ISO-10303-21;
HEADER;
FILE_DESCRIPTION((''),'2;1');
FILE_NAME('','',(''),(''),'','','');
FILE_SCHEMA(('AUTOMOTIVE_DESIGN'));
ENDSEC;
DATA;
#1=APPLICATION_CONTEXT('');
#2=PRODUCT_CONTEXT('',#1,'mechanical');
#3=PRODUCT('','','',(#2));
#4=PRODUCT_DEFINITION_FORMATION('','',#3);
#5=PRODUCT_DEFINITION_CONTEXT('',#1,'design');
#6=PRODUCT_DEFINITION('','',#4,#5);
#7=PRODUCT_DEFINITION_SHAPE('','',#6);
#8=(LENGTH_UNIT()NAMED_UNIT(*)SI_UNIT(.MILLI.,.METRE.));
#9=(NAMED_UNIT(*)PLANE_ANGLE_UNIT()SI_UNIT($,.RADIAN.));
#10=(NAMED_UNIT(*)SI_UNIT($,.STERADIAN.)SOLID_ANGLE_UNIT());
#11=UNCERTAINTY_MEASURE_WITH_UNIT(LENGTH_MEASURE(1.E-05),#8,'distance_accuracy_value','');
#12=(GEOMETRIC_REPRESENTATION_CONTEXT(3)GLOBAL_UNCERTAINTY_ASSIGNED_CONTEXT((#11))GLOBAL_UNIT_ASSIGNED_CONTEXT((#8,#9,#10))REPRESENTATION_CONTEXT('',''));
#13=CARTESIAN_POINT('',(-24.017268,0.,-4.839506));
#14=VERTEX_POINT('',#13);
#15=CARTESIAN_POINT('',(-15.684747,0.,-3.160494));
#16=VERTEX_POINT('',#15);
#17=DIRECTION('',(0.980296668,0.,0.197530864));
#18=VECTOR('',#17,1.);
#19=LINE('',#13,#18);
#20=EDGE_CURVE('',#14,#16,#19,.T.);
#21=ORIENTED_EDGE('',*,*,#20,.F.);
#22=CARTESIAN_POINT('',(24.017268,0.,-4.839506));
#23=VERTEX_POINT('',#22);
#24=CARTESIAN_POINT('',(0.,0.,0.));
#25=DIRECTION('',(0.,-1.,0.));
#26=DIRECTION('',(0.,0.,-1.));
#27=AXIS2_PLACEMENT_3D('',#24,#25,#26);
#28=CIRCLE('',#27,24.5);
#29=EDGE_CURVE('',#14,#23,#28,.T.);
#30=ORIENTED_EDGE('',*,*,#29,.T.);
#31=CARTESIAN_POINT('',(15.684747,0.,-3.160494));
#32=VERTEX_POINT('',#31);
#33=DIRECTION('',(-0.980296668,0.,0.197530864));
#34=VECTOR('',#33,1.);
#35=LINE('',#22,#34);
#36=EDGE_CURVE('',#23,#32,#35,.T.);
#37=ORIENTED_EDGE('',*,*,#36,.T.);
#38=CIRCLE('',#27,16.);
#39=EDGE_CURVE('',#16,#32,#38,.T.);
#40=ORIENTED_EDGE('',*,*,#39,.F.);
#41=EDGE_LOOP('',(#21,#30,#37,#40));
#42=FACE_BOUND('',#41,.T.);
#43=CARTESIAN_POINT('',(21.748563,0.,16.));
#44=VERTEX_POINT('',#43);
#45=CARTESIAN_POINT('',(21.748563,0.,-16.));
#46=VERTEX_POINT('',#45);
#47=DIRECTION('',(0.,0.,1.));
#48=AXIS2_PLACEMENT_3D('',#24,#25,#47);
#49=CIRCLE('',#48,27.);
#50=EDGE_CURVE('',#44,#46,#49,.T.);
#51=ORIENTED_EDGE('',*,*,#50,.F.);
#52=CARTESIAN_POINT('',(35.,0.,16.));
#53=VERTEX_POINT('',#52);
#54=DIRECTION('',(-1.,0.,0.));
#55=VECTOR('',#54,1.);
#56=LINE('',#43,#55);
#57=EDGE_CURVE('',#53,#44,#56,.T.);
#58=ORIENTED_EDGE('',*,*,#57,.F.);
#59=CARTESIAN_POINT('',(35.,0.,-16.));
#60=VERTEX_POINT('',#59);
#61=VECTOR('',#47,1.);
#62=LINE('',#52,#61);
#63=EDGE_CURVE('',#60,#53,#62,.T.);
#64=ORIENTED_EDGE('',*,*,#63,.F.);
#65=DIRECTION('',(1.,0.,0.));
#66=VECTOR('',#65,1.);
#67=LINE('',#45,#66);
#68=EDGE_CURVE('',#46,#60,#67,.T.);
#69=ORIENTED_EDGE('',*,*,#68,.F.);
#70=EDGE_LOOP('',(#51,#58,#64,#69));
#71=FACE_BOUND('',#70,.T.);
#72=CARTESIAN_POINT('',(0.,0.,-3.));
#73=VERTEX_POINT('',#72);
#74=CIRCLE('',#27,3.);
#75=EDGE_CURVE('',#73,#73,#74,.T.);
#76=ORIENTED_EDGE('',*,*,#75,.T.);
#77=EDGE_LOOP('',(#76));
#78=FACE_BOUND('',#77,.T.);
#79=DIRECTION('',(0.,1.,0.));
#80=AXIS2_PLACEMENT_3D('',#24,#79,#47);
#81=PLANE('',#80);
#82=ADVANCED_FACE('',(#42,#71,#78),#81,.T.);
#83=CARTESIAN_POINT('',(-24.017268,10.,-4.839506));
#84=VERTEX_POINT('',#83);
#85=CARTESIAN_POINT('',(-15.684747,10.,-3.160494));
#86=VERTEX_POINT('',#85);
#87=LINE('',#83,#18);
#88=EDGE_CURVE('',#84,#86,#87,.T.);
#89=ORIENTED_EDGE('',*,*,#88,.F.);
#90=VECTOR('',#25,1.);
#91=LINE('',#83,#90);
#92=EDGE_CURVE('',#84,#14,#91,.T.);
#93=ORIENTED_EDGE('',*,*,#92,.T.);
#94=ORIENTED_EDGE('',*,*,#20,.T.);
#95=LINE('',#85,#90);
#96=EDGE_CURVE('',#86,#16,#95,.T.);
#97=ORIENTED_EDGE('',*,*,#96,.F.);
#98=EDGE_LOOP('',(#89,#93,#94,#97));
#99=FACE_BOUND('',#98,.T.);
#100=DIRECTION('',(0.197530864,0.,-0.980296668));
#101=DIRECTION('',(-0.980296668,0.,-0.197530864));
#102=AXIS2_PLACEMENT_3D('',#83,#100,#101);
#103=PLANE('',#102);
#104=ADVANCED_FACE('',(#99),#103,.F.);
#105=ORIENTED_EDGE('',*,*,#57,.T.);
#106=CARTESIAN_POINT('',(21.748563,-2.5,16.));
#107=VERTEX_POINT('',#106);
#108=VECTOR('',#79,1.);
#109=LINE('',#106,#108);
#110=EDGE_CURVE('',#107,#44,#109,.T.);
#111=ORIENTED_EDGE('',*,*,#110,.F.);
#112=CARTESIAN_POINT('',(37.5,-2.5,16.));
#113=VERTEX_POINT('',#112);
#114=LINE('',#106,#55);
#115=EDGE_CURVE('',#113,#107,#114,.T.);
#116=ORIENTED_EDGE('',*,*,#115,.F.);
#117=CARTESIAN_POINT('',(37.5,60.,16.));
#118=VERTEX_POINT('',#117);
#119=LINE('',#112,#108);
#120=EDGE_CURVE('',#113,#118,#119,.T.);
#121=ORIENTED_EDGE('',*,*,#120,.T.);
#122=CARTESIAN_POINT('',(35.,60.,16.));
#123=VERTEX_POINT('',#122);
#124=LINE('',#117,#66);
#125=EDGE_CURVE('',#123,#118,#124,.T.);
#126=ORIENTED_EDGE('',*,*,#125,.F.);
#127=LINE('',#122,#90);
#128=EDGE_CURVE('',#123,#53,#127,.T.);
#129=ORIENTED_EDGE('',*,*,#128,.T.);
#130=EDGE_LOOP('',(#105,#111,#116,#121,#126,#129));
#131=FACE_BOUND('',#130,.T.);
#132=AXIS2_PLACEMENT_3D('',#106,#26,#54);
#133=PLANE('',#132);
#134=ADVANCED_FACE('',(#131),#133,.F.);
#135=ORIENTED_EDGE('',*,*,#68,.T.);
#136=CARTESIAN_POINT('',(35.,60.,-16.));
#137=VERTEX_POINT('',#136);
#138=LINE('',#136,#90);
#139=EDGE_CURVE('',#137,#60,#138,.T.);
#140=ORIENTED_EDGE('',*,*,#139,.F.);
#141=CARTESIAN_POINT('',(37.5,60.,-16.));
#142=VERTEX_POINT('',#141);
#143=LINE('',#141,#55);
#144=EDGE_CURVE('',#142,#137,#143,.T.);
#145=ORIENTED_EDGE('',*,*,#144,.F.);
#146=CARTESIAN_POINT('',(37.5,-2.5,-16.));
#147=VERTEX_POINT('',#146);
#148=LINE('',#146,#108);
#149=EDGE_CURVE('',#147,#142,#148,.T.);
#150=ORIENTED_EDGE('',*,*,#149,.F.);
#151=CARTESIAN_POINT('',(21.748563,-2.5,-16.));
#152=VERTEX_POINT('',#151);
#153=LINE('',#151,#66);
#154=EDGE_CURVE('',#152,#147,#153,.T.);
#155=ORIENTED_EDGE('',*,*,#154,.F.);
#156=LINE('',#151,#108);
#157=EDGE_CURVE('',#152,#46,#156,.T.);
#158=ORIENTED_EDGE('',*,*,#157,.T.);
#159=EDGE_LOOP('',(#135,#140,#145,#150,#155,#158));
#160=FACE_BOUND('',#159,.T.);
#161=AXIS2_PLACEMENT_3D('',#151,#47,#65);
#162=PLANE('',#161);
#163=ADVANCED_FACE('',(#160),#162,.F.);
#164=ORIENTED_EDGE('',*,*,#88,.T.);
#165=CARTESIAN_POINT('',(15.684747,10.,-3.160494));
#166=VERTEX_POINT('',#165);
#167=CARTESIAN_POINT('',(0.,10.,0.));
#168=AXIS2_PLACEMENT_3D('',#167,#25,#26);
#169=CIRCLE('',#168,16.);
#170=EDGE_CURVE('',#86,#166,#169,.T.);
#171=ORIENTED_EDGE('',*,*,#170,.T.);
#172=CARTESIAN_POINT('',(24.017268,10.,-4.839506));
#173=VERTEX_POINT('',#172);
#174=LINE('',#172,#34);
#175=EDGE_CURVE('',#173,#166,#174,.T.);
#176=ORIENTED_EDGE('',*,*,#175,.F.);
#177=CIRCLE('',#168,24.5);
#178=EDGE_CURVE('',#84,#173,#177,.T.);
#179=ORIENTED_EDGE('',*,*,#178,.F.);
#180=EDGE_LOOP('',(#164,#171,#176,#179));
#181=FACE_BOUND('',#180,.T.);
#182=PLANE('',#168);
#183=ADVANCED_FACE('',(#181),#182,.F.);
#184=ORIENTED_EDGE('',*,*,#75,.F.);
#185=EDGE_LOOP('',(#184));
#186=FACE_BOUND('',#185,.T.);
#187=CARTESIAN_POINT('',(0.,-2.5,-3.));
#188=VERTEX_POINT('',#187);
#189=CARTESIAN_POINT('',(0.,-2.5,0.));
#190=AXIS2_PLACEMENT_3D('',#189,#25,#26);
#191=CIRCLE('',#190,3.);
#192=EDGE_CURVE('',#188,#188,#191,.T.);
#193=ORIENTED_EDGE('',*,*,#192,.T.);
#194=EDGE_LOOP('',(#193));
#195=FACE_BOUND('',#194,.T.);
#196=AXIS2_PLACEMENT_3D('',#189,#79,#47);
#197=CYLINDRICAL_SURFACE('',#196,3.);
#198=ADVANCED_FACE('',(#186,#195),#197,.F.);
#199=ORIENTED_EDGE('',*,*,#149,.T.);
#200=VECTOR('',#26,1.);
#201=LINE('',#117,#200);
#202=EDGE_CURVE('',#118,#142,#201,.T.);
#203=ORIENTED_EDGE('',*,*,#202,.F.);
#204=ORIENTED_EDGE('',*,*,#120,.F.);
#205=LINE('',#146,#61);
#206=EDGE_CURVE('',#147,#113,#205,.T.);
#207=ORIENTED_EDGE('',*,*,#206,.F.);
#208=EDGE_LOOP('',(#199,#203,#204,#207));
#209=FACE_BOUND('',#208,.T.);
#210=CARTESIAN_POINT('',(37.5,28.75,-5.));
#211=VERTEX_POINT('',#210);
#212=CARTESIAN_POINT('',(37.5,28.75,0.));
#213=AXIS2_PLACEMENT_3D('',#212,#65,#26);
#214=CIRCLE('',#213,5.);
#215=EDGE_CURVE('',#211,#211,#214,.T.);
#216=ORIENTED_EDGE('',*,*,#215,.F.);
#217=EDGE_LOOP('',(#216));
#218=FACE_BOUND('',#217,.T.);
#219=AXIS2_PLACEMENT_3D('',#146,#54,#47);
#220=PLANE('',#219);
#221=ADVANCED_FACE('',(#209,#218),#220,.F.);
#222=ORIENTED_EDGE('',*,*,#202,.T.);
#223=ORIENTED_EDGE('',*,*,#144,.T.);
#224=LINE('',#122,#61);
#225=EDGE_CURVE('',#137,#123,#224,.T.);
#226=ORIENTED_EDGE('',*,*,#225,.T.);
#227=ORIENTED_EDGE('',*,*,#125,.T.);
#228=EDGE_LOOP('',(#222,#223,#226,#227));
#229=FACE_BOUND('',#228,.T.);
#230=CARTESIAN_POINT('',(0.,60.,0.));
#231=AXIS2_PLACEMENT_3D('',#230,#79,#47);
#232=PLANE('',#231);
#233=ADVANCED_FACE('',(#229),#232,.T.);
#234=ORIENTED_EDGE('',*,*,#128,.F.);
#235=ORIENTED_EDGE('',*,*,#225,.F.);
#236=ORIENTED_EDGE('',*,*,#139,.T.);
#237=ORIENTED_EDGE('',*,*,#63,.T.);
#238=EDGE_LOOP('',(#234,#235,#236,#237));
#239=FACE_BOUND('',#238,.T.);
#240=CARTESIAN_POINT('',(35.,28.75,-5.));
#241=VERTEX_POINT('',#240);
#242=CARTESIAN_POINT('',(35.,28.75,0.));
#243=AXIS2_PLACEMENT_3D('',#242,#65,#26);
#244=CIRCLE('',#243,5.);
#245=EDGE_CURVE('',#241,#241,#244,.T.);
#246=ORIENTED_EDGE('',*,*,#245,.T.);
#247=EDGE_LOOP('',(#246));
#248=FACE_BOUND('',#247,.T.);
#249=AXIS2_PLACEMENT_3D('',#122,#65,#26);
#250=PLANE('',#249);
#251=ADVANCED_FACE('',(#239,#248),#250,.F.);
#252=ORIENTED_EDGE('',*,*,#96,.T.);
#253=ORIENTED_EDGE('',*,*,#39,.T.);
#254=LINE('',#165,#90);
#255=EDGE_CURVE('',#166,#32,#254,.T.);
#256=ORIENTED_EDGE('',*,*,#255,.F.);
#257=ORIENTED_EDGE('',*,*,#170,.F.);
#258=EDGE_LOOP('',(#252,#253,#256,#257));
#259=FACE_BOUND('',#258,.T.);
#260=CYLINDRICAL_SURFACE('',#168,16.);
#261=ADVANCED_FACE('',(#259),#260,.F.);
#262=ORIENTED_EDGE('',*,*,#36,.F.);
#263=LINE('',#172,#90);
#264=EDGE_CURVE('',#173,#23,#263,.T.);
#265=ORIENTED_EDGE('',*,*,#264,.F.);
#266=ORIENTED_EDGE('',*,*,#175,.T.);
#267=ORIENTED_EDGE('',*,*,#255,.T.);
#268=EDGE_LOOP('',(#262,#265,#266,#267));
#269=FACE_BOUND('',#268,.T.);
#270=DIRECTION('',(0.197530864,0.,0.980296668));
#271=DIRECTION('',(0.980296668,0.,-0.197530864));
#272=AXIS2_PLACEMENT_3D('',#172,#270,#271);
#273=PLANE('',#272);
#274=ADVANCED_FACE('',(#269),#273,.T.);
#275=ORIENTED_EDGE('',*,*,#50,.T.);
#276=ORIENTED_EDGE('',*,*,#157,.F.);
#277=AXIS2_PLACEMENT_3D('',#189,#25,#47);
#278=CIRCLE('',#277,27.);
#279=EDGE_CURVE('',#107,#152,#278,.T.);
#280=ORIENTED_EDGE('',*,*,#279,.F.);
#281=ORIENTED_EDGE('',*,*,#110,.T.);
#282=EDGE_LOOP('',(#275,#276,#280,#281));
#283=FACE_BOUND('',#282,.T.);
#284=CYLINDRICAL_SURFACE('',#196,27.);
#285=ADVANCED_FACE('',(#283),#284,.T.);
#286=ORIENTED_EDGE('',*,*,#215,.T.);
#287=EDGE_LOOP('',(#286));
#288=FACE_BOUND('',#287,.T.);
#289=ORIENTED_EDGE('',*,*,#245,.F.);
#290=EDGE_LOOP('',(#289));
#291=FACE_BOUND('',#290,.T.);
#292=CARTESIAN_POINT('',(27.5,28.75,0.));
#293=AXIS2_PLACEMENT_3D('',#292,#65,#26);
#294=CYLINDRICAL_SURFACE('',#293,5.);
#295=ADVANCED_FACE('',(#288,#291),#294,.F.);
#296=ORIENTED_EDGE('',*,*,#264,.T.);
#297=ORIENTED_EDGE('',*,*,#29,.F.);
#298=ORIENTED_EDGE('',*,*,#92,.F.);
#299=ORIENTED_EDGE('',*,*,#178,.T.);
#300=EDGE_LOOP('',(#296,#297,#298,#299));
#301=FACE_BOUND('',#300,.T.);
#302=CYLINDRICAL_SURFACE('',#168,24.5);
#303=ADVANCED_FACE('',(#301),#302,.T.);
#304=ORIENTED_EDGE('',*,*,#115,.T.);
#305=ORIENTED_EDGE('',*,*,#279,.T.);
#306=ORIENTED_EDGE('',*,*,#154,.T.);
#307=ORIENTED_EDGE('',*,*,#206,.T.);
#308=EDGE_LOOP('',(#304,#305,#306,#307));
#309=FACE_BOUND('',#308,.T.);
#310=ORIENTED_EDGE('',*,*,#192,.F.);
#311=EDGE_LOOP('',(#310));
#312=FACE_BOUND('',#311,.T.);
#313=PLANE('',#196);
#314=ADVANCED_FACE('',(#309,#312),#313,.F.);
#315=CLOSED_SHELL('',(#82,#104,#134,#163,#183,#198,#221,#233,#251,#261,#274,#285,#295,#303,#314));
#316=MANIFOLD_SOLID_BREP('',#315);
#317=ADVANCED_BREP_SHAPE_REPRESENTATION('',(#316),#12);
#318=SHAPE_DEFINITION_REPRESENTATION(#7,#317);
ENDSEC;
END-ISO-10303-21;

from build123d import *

# Parameters (mm, degrees)
BOSS_EXTRUDE1_DEPTH = 10
SKETCH2_R           = 3
BOSS_EXTRUDE2_DEPTH = 2.5
SKETCH4_W           = 2.5
SKETCH4_H           = 32
BOSS_EXTRUDE3_DEPTH = 60
SKETCH5_R           = 5
CUT_EXTRUDE1_DEPTH  = 10


with BuildPart() as part:
    # Sketch1 → Boss-Extrude1 (new body)
    with BuildSketch(Plane(origin=(0, 0, 0), x_dir=(1, 0, 0), z_dir=(0, 1, 0))):
        with BuildLine():
            Line((-24.017268371, 4.839506173), (-15.684746691, 3.160493827))
            ThreePointArc((-15.684746691, 3.160493827), (0, 16), (15.684746691, 3.160493827))
            Line((15.684746691, 3.160493827), (24.017268371, 4.839506173))
            ThreePointArc((24.017268371, 4.839506173), (0, 24.5), (-24.017268371, 4.839506173))
        make_face()
    extrude(amount=BOSS_EXTRUDE1_DEPTH)

    # Sketch2 → Boss-Extrude2 (add)
    with BuildSketch(Plane.XZ):
        with BuildLine():
            Line((37.5, -16), (37.5, 16))
            Line((37.5, 16), (21.748563171, 16))
            ThreePointArc((21.748563171, 16), (12.186057607, 24.093567606), (0, 27))
            ThreePointArc((0, 27), (-27, 0), (0, -27))
            ThreePointArc((0, -27), (12.186057607, -24.093567606), (21.748563171, -16))
            Line((21.748563171, -16), (37.5, -16))
        make_face()
        Circle(SKETCH2_R, mode=Mode.SUBTRACT)
    extrude(amount=BOSS_EXTRUDE2_DEPTH)

    # Sketch4 → Boss-Extrude3 (add)
    with BuildSketch(Plane(origin=(0, 0, 0), x_dir=(1, 0, 0), z_dir=(0, 1, 0))):
        with Locations((36.25, 0)):
            Rectangle(SKETCH4_W, SKETCH4_H)
    extrude(amount=BOSS_EXTRUDE3_DEPTH)

    # Sketch5 → Cut-Extrude1 (cut)
    with BuildSketch(Plane(origin=(37.5, 0, 0), x_dir=(0, 0, -1), z_dir=(1, 0, 0))):
        with Locations((0, 28.75)):
            Circle(SKETCH5_R)
    extrude(amount=-CUT_EXTRUDE1_DEPTH, mode=Mode.SUBTRACT)


solid = part.part
